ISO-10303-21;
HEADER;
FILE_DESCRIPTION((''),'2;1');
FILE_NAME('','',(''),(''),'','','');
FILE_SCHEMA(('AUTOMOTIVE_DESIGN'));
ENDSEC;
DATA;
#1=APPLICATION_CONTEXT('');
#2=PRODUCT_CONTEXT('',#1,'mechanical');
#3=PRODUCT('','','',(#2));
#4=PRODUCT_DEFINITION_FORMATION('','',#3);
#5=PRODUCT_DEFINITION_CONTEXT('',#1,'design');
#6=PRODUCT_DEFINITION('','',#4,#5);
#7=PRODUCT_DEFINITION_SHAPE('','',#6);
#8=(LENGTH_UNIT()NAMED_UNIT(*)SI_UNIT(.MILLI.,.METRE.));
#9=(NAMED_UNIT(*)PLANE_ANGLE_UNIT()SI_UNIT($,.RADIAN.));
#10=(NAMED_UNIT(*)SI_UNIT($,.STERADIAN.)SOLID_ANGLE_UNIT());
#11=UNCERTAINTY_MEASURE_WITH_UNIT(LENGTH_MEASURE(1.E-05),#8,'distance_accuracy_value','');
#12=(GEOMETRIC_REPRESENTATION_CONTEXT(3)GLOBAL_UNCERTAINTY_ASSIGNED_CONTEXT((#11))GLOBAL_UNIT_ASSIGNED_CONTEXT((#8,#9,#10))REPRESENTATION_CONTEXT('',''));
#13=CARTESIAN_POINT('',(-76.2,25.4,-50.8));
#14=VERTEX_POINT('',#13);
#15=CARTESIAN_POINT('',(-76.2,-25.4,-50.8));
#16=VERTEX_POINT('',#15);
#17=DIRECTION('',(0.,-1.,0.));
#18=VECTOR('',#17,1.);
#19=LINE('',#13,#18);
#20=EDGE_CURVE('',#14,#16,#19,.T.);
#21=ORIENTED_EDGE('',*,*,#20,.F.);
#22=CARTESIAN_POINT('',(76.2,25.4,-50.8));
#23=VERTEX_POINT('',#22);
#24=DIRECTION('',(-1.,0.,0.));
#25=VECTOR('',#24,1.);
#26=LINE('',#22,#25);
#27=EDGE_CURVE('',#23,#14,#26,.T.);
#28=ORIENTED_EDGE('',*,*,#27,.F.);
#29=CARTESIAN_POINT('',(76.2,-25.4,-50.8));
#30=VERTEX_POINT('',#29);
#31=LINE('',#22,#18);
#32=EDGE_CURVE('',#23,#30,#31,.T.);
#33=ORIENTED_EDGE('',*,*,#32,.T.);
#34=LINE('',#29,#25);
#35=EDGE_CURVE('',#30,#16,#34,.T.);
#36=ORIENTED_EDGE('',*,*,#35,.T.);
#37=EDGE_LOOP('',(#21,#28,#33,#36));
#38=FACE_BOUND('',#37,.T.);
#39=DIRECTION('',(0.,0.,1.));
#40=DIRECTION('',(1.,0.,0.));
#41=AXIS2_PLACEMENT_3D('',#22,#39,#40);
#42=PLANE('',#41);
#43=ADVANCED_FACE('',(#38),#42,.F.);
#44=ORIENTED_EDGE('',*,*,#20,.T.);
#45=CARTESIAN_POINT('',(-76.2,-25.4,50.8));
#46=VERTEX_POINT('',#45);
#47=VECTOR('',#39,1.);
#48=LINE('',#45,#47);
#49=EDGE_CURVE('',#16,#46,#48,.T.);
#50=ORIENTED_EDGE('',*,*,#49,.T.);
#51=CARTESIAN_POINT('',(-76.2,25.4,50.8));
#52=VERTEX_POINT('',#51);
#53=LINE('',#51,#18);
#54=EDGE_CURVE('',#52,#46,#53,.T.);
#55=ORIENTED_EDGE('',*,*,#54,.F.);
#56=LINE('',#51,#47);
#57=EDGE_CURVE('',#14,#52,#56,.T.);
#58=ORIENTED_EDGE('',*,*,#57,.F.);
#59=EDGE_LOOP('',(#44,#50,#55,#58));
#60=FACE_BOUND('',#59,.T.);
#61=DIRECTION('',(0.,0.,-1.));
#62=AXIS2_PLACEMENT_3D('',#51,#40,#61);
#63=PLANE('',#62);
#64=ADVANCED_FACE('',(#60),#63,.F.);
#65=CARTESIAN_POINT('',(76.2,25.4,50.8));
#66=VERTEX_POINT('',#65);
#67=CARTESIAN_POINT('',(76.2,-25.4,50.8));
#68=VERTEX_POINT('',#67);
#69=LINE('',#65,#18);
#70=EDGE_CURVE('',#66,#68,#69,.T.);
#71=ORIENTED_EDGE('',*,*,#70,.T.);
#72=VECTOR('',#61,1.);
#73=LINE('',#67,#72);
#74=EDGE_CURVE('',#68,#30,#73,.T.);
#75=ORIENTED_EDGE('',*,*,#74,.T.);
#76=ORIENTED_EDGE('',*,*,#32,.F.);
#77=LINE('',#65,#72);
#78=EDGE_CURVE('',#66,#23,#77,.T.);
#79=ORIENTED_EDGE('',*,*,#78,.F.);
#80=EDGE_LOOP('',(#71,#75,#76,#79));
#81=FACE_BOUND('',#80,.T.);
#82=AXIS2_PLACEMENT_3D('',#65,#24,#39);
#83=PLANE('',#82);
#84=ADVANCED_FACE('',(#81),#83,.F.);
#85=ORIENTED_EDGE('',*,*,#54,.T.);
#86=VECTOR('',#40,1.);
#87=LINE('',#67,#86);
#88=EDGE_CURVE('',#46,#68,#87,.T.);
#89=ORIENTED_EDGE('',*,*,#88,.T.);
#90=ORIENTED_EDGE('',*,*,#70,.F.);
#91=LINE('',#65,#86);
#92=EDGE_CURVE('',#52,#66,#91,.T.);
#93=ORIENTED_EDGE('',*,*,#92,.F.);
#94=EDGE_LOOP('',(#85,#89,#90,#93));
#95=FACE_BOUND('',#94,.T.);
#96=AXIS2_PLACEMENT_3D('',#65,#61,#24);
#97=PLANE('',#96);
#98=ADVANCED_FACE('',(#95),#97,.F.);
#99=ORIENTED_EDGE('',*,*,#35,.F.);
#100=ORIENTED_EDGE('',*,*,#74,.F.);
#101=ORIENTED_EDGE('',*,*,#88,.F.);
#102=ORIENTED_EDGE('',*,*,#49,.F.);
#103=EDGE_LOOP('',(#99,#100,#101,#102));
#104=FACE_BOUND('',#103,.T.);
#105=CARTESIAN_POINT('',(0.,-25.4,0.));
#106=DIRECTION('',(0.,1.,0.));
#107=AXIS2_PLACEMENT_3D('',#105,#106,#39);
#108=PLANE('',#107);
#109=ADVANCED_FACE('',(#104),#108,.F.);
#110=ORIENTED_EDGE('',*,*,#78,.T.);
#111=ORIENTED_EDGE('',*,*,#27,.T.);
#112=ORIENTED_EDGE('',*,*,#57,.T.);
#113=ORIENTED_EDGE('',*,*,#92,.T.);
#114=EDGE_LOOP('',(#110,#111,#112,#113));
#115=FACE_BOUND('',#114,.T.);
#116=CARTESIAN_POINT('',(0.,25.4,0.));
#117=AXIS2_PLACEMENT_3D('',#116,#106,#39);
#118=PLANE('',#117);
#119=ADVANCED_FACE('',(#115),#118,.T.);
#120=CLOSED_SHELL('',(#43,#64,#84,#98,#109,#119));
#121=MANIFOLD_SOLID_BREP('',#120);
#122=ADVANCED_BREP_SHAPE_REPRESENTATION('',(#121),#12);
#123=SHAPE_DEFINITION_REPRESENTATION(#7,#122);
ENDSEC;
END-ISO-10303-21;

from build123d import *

# Parameters (mm, degrees)
SKETCH2_W           = 152.4
SKETCH2_H           = 101.6
BOSS_EXTRUDE1_DEPTH = 25.4


with BuildPart() as part:
    # Sketch2 → Boss-Extrude1 (new body, symmetric)
    with BuildSketch(Plane(origin=(0, 0, 0), x_dir=(1, 0, 0), z_dir=(0, 1, 0))):
        Rectangle(SKETCH2_W, SKETCH2_H)
    extrude(amount=BOSS_EXTRUDE1_DEPTH, both=True)


solid = part.part
